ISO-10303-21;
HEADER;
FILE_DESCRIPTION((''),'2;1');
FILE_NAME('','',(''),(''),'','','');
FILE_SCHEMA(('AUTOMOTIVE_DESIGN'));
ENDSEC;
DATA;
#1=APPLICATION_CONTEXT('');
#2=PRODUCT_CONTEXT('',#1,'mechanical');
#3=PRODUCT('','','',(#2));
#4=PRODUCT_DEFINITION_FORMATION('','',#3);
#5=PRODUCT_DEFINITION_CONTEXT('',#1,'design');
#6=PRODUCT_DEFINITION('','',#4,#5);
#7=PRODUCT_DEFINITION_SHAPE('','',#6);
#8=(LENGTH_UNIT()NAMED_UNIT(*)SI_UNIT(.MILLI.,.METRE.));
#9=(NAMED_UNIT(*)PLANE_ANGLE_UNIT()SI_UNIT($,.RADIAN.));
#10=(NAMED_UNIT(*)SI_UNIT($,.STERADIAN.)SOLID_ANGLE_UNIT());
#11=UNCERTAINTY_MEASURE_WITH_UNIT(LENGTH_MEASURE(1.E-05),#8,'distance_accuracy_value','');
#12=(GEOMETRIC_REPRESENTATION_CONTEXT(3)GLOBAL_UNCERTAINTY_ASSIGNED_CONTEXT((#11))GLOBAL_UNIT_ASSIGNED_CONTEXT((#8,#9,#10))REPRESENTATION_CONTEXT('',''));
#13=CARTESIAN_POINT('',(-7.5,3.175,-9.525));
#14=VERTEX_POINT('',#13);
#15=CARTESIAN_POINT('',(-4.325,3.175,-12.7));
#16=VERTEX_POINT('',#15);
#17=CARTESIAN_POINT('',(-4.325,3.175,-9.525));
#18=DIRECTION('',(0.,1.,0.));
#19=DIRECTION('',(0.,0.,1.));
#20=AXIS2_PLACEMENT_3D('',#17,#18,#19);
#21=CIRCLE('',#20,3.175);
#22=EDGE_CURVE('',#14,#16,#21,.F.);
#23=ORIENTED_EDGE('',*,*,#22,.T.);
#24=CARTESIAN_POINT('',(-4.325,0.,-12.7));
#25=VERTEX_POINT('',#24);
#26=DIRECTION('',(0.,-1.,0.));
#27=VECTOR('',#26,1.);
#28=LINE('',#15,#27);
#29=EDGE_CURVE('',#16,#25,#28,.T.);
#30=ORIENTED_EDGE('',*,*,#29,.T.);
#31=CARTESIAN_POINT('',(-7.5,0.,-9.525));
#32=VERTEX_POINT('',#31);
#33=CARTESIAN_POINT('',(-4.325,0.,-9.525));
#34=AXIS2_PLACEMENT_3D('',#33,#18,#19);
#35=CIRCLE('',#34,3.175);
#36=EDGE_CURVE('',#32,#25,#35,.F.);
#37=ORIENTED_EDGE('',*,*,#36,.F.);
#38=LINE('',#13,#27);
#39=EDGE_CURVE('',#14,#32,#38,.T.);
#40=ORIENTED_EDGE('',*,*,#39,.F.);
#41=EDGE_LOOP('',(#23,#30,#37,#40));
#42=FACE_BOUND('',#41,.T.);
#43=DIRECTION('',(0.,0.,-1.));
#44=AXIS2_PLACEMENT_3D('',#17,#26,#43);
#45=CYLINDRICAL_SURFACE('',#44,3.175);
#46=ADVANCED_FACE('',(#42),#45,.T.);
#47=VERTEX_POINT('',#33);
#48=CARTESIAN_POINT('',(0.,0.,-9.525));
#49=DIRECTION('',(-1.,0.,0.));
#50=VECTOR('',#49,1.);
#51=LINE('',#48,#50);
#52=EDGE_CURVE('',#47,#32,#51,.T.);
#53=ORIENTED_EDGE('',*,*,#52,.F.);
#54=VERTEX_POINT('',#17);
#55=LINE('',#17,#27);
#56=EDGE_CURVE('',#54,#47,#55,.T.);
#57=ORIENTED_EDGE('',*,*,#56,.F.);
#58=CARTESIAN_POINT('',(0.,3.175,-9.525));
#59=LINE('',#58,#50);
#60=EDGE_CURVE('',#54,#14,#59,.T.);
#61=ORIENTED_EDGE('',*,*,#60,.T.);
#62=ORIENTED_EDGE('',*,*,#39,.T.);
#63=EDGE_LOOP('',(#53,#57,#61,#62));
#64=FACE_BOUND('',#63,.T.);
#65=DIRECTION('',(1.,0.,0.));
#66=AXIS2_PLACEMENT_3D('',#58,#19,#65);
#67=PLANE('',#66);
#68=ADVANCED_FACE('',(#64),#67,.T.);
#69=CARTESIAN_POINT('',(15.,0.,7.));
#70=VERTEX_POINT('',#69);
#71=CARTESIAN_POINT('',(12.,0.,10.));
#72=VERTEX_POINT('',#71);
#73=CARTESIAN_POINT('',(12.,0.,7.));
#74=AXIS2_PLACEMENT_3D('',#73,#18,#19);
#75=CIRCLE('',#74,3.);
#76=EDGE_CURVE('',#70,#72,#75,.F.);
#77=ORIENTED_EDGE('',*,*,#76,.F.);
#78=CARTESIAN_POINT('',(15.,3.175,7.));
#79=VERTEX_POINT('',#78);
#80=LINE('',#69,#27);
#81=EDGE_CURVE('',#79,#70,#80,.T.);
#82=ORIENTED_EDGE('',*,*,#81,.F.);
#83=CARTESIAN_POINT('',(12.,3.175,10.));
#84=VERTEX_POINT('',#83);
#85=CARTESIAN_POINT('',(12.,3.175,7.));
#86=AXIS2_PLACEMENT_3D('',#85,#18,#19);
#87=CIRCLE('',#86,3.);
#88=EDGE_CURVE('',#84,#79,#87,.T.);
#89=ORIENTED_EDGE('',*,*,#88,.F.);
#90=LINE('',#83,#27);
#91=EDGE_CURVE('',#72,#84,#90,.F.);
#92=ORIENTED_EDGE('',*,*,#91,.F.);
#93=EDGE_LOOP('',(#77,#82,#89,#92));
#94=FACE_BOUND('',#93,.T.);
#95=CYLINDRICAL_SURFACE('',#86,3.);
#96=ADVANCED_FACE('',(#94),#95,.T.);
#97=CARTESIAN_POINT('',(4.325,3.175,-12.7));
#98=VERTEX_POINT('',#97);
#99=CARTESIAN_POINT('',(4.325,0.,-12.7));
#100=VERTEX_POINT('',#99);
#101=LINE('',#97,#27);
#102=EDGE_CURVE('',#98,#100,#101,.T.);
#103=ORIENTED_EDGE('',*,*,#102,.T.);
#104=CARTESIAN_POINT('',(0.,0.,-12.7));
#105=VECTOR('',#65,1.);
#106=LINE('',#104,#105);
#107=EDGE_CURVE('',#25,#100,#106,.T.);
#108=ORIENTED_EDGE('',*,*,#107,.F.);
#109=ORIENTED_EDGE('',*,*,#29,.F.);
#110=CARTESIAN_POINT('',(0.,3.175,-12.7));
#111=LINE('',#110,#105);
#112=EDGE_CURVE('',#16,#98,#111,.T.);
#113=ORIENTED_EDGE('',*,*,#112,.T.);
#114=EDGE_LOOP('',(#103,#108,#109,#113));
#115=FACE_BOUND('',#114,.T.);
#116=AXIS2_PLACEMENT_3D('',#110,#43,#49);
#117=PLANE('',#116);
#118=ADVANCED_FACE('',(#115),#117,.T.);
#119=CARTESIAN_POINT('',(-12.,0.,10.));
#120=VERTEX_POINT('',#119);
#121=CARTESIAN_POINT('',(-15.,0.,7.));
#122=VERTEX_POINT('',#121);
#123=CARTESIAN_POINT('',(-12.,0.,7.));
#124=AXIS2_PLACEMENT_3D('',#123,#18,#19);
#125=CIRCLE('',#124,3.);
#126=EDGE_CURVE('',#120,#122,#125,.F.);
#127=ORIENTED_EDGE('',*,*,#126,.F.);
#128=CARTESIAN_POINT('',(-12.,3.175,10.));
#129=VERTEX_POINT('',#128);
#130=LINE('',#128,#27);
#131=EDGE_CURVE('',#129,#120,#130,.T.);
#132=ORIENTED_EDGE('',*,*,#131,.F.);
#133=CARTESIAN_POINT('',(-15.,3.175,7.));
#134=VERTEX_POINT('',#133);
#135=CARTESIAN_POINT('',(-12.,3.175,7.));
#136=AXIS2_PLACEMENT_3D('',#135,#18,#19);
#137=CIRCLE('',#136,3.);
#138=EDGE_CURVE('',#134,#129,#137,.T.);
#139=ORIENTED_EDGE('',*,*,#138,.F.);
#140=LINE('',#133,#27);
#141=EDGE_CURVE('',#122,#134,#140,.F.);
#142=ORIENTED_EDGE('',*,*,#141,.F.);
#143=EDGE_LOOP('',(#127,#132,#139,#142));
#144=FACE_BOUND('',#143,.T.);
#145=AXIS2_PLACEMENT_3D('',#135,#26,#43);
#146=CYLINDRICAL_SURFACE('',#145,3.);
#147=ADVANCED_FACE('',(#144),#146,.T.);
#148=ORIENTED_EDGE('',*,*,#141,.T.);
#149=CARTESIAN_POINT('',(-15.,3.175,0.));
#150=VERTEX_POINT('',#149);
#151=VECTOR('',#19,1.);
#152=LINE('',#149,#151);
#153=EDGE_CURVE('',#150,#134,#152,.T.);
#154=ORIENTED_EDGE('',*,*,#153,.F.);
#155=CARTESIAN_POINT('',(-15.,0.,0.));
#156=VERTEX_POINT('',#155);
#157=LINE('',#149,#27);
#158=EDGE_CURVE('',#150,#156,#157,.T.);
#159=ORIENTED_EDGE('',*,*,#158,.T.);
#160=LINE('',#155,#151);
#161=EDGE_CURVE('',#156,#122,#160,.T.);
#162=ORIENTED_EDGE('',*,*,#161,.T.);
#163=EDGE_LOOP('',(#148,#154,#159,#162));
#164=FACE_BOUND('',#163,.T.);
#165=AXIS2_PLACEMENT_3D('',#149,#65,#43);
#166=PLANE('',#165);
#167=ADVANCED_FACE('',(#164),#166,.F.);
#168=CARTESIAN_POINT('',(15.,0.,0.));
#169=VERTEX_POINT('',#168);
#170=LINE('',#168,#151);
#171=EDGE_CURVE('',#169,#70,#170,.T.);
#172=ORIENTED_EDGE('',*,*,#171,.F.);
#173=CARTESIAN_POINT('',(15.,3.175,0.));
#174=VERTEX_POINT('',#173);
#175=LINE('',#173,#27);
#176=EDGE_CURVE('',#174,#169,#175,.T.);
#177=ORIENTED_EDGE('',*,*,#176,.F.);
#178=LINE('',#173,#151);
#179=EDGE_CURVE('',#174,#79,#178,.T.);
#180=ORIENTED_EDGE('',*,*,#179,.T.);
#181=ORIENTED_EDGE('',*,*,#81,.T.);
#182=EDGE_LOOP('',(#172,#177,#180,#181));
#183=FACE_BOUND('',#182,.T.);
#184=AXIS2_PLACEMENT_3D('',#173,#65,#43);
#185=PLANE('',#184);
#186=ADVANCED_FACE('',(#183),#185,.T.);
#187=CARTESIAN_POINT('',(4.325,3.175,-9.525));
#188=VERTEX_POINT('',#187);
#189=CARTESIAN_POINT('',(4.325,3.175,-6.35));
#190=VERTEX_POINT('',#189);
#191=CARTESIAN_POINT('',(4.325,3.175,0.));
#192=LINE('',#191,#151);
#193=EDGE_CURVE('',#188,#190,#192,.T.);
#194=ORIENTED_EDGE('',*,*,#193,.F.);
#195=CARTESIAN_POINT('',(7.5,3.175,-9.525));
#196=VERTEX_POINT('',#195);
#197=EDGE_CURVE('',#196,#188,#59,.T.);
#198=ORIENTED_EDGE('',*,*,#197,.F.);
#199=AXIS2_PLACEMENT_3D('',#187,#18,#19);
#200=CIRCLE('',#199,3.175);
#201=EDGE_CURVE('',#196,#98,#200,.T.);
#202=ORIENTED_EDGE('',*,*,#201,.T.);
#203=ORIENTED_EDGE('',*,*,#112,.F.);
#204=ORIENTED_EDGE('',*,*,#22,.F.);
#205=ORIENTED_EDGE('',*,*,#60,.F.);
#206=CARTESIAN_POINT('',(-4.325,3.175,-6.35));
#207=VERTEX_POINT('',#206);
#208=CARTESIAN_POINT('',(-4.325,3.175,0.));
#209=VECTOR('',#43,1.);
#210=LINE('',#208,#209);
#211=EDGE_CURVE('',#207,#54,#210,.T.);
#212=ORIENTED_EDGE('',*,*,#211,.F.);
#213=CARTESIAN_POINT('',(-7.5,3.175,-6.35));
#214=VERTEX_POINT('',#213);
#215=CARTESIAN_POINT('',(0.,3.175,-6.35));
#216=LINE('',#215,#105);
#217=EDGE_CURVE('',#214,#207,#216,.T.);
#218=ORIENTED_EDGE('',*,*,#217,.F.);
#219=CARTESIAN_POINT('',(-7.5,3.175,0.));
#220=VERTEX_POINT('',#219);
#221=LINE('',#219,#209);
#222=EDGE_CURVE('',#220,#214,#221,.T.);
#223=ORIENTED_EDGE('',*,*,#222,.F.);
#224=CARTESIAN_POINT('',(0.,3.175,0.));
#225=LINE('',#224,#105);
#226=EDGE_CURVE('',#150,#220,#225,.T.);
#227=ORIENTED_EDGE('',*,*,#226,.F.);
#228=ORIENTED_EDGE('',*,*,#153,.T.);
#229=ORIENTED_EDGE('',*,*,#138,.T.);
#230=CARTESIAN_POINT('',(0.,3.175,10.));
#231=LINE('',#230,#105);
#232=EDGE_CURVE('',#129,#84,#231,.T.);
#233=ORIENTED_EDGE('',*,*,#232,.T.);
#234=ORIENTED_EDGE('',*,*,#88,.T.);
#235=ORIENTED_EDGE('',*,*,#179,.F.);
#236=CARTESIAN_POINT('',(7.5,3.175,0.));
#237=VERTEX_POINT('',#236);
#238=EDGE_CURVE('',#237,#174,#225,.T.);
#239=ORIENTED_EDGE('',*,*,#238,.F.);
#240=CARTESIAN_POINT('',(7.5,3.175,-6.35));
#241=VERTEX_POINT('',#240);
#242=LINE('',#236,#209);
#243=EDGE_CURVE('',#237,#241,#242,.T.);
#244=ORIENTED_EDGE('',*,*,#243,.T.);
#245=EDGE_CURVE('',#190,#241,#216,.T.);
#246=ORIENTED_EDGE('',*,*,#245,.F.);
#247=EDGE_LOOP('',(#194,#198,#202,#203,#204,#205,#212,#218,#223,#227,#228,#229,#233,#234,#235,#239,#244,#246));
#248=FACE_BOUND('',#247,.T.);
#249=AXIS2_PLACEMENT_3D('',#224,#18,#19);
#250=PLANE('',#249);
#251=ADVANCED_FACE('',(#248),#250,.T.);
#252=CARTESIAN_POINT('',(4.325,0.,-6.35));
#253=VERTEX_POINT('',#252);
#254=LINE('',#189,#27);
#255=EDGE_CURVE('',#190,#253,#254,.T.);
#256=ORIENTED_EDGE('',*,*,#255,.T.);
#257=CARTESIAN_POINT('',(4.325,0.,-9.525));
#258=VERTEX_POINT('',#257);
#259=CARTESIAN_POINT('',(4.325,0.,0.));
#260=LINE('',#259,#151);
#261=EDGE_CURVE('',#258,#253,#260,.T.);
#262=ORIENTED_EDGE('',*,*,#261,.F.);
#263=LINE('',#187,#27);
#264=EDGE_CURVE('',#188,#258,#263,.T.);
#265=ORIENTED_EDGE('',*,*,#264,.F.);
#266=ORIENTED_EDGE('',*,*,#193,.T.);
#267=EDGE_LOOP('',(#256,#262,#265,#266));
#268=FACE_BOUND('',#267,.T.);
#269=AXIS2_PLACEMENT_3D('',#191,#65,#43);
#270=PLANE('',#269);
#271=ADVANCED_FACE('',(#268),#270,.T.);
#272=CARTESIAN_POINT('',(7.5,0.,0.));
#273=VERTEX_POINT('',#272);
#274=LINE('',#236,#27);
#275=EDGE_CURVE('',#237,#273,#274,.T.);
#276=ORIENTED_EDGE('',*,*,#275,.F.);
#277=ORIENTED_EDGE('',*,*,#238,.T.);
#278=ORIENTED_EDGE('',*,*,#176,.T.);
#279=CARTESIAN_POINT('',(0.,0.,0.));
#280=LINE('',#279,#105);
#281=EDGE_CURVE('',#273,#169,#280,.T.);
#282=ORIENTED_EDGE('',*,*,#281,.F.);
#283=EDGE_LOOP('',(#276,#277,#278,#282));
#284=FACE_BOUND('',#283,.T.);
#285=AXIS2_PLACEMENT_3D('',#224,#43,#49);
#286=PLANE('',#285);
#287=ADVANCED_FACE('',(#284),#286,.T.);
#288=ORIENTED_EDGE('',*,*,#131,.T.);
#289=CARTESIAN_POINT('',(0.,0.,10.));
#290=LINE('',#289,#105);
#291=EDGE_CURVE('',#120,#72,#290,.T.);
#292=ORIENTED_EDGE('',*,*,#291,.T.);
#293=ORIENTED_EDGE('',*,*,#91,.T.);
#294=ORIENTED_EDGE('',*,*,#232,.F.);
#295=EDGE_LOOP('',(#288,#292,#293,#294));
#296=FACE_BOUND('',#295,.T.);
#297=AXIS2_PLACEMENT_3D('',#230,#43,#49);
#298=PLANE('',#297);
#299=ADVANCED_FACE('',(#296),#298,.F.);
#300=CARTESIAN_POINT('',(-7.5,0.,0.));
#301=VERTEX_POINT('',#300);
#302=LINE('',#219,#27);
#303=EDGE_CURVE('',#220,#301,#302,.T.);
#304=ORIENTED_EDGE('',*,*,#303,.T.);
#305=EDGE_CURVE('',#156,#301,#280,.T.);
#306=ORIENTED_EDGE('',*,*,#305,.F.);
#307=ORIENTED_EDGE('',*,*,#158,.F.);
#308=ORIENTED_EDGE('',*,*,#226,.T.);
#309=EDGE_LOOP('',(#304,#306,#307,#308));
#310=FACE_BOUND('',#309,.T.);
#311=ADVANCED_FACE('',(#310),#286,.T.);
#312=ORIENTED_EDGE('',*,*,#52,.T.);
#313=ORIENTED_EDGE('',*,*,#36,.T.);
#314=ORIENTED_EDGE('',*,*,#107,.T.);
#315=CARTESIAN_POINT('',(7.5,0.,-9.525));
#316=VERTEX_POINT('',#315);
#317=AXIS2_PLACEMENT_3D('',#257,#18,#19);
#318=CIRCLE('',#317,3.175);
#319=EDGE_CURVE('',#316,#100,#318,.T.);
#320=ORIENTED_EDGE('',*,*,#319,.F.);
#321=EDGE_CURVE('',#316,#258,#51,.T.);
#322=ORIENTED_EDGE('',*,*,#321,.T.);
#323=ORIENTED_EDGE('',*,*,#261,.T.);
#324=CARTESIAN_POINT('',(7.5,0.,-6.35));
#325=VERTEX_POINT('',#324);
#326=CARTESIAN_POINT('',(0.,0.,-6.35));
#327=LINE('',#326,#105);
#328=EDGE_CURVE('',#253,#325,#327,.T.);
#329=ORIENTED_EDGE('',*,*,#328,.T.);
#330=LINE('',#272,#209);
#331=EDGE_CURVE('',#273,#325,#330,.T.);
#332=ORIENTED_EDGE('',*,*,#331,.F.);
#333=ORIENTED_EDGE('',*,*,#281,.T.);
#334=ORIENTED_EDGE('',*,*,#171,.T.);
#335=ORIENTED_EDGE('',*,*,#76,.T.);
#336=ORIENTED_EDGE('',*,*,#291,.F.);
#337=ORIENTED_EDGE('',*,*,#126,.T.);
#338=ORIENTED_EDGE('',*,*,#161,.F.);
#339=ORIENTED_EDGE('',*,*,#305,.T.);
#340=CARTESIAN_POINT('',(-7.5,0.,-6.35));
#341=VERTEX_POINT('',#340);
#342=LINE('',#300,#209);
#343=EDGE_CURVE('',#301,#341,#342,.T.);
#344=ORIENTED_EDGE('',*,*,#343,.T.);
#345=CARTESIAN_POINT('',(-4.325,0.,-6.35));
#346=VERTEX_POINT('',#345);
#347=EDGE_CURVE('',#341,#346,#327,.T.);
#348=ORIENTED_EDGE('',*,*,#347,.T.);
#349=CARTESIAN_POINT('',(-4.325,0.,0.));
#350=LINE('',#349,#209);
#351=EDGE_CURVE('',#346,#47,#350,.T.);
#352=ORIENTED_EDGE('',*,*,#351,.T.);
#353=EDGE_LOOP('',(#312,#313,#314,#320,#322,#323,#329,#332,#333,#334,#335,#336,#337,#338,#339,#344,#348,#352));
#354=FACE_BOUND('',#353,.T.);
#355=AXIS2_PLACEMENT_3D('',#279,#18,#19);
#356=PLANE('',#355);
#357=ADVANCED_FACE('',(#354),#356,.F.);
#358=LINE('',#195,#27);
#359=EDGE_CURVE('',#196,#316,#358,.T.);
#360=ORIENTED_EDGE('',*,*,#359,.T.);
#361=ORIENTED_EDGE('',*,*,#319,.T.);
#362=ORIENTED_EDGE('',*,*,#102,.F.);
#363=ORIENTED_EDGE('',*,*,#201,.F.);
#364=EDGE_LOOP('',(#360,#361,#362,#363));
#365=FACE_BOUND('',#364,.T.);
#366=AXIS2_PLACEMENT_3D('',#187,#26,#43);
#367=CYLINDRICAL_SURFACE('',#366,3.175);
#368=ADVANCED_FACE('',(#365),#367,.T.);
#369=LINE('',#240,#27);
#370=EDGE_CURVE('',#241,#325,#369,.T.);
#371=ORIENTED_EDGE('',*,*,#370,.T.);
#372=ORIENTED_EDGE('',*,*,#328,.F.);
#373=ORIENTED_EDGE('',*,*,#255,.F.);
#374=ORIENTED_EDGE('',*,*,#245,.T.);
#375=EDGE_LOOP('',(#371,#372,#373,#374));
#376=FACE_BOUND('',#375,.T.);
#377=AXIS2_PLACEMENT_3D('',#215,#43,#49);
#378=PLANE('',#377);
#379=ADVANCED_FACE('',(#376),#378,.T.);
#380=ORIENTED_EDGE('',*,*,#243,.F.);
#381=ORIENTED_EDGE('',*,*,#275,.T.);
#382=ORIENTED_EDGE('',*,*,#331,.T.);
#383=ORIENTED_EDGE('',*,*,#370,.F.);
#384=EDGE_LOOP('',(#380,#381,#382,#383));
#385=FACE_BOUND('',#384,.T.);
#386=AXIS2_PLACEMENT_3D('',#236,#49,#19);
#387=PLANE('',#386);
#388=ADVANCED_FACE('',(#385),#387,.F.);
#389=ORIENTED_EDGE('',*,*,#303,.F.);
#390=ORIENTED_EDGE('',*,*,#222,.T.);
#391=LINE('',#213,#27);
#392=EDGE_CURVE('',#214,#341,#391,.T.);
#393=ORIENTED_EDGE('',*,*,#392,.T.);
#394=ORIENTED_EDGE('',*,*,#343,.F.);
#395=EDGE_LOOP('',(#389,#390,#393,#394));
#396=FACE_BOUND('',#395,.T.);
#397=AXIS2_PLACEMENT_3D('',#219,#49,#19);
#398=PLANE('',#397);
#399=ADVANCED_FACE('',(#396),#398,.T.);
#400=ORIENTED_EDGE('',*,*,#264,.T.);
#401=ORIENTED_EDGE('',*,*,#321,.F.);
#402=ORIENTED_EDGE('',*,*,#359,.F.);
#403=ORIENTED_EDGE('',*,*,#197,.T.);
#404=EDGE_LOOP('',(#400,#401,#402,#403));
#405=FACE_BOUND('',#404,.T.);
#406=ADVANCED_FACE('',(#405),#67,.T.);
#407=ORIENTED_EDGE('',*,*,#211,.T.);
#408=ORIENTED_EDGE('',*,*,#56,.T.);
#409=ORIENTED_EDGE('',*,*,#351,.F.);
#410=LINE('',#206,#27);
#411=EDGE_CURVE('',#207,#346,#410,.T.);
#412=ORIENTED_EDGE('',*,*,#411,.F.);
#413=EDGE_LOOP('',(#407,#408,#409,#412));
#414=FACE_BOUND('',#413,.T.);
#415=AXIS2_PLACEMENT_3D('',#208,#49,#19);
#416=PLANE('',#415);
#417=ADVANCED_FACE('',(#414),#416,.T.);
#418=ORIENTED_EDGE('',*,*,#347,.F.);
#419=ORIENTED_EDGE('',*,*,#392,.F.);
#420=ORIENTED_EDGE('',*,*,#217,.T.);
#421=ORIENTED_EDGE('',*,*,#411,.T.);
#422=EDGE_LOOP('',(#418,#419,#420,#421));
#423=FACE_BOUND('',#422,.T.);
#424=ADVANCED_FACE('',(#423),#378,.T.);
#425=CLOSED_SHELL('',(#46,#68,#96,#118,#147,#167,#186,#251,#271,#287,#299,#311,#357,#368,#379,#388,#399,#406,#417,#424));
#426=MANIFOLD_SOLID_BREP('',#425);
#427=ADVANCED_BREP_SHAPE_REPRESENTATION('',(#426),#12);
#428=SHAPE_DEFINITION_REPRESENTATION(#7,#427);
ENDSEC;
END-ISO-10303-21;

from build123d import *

# Parameters (mm, degrees)
SKETCH1_W           = 30
SKETCH1_H           = 10
BOSS_EXTRUDE2_DEPTH = 3.175
FILLET3_R           = 3


with BuildPart() as part:
    # Sketch1 → Boss-Extrude2 (new body)
    with BuildSketch(Plane(origin=(0, 0, 0), x_dir=(1, 0, 0), z_dir=(0, 1, 0))):
        with Locations((0, -5)):
            Rectangle(SKETCH1_W, SKETCH1_H)
        Polygon((-7.5, 3.175), (-7.5, 0), (7.5, 0), (7.5, 3.175), (7.5, 6.35), (4.325, 6.35), (-3.85, 6.35), (-4.325, 6.35), (-7.5, 6.35), align=None)
        Polygon((-4.325, 9.525), (-4.325, 6.35), (-3.85, 6.35), (4.325, 6.35), (4.325, 9.525), align=None)
        with BuildLine():
            ThreePointArc((-7.5, 9.525), (-6.57006403, 11.77006403), (-4.325, 12.7))
            Line((-4.325, 12.7), (4.325, 12.7))
            ThreePointArc((4.325, 12.7), (6.57006403, 11.77006403), (7.5, 9.525))
            Line((7.5, 9.525), (4.325, 9.525))
            Line((4.325, 9.525), (-4.325, 9.525))
            Line((-4.325, 9.525), (-7.5, 9.525))
        make_face()
    extrude(amount=BOSS_EXTRUDE2_DEPTH)

    # Fillet3
    fillet3_edges = [part.edges().sort_by_distance(p)[0] for p in [
        (15, 1.5875, 10),
        (-15, 1.5875, 10),
    ]]
    fillet(fillet3_edges, radius=FILLET3_R)


solid = part.part
